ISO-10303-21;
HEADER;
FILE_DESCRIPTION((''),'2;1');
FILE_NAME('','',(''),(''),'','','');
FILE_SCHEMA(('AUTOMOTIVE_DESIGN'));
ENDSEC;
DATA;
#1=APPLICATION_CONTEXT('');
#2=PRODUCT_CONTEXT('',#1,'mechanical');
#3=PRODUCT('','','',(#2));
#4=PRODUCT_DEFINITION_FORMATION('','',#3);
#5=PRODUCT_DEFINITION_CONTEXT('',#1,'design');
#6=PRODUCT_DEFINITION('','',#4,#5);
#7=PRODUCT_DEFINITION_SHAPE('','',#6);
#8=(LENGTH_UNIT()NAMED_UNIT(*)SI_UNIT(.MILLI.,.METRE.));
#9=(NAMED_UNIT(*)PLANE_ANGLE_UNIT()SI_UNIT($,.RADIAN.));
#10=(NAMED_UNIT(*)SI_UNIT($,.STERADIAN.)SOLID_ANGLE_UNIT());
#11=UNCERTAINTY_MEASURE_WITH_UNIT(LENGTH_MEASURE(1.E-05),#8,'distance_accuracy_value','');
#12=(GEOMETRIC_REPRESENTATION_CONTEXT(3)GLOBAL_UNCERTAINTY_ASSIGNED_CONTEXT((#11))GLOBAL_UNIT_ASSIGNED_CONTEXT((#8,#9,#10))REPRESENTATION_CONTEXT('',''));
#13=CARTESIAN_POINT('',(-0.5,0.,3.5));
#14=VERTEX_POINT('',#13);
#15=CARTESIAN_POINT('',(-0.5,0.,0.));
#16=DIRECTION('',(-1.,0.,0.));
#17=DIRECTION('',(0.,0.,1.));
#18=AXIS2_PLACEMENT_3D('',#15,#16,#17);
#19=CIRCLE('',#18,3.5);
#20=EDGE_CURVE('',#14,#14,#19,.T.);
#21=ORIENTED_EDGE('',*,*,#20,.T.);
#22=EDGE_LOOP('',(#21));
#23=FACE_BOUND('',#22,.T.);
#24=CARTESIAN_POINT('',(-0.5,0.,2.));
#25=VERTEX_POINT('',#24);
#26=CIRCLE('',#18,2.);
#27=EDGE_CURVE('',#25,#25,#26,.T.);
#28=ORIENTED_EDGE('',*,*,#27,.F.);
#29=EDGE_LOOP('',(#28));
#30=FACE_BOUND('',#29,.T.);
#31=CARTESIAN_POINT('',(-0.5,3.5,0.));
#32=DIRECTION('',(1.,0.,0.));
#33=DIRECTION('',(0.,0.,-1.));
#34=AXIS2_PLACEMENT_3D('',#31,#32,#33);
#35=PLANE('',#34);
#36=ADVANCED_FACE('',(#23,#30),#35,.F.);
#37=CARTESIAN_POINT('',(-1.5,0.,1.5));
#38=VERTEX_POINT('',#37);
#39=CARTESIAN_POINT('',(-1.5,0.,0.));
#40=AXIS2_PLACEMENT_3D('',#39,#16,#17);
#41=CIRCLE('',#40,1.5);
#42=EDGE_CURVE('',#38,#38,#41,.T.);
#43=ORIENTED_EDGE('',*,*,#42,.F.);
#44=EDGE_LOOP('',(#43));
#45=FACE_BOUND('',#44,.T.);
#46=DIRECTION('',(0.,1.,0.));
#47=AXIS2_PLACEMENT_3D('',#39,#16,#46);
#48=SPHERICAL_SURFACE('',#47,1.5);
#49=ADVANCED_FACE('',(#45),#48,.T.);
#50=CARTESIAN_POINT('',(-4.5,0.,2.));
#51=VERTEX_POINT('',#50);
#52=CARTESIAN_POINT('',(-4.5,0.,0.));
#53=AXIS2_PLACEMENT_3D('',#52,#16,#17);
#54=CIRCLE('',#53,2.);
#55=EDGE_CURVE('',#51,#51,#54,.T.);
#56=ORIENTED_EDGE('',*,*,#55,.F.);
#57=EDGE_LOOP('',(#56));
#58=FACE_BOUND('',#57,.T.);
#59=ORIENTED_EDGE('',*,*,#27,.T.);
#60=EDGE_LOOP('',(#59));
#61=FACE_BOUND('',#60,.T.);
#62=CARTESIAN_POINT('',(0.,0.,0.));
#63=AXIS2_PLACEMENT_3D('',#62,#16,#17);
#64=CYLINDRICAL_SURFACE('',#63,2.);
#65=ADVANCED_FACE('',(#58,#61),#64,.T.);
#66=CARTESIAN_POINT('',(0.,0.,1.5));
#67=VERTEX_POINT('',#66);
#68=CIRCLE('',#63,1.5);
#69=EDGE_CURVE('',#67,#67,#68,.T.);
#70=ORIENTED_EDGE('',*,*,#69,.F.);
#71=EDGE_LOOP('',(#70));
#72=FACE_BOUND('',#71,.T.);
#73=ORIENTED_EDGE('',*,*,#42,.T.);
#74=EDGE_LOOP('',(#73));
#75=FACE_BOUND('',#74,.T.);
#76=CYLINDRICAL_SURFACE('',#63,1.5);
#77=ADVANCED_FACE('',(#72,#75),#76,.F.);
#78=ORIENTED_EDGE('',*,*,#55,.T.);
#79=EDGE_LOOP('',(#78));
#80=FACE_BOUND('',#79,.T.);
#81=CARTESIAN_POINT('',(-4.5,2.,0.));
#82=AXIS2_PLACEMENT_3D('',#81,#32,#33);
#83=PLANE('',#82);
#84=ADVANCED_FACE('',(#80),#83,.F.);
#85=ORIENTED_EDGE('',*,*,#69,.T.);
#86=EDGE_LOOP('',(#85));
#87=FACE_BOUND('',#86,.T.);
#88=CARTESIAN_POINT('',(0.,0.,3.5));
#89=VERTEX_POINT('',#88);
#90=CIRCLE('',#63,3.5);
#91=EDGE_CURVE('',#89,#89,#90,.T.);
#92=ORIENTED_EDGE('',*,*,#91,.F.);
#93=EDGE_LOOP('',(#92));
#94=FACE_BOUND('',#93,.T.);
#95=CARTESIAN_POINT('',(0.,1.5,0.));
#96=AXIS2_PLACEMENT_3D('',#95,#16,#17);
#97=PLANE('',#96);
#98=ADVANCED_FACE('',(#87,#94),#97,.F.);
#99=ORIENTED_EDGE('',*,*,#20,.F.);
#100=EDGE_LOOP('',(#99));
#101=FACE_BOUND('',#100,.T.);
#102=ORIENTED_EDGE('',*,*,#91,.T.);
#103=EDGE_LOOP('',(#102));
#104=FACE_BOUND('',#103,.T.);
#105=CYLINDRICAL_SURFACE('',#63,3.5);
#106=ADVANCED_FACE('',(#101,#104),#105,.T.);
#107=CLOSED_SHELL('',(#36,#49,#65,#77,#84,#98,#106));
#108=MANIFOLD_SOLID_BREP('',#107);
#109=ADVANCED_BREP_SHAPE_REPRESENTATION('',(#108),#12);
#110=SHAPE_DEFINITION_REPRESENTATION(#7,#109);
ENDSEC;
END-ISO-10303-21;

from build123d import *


with BuildPart() as part:
    # Esquisse1 → Révolution1 (revolve)
    with BuildSketch(Plane.XY, mode=Mode.PRIVATE) as r_volution1_sk:
        with BuildLine():
            Line((0, 1.5), (0, 3.5))
            Line((0, 3.5), (-0.5, 3.5))
            Line((-0.5, 3.5), (-0.5, 2))
            Line((-0.5, 2), (-4.5, 2))
            Line((-4.5, 2), (-4.5, 0))
            Line((-4.5, 0), (0, 0))
            ThreePointArc((0, 0), (-0.439339828, 1.060660172), (-1.5, 1.5))
            Line((-1.5, 1.5), (0, 1.5))
        make_face()
    revolve(r_volution1_sk.sketch.rotate(Axis((0, 0, 0), (1, 0, 0)), 90), axis=Axis((0, 0, 0), (1, 0, 0)))  # turned: the seam where the file's is


solid = part.part
